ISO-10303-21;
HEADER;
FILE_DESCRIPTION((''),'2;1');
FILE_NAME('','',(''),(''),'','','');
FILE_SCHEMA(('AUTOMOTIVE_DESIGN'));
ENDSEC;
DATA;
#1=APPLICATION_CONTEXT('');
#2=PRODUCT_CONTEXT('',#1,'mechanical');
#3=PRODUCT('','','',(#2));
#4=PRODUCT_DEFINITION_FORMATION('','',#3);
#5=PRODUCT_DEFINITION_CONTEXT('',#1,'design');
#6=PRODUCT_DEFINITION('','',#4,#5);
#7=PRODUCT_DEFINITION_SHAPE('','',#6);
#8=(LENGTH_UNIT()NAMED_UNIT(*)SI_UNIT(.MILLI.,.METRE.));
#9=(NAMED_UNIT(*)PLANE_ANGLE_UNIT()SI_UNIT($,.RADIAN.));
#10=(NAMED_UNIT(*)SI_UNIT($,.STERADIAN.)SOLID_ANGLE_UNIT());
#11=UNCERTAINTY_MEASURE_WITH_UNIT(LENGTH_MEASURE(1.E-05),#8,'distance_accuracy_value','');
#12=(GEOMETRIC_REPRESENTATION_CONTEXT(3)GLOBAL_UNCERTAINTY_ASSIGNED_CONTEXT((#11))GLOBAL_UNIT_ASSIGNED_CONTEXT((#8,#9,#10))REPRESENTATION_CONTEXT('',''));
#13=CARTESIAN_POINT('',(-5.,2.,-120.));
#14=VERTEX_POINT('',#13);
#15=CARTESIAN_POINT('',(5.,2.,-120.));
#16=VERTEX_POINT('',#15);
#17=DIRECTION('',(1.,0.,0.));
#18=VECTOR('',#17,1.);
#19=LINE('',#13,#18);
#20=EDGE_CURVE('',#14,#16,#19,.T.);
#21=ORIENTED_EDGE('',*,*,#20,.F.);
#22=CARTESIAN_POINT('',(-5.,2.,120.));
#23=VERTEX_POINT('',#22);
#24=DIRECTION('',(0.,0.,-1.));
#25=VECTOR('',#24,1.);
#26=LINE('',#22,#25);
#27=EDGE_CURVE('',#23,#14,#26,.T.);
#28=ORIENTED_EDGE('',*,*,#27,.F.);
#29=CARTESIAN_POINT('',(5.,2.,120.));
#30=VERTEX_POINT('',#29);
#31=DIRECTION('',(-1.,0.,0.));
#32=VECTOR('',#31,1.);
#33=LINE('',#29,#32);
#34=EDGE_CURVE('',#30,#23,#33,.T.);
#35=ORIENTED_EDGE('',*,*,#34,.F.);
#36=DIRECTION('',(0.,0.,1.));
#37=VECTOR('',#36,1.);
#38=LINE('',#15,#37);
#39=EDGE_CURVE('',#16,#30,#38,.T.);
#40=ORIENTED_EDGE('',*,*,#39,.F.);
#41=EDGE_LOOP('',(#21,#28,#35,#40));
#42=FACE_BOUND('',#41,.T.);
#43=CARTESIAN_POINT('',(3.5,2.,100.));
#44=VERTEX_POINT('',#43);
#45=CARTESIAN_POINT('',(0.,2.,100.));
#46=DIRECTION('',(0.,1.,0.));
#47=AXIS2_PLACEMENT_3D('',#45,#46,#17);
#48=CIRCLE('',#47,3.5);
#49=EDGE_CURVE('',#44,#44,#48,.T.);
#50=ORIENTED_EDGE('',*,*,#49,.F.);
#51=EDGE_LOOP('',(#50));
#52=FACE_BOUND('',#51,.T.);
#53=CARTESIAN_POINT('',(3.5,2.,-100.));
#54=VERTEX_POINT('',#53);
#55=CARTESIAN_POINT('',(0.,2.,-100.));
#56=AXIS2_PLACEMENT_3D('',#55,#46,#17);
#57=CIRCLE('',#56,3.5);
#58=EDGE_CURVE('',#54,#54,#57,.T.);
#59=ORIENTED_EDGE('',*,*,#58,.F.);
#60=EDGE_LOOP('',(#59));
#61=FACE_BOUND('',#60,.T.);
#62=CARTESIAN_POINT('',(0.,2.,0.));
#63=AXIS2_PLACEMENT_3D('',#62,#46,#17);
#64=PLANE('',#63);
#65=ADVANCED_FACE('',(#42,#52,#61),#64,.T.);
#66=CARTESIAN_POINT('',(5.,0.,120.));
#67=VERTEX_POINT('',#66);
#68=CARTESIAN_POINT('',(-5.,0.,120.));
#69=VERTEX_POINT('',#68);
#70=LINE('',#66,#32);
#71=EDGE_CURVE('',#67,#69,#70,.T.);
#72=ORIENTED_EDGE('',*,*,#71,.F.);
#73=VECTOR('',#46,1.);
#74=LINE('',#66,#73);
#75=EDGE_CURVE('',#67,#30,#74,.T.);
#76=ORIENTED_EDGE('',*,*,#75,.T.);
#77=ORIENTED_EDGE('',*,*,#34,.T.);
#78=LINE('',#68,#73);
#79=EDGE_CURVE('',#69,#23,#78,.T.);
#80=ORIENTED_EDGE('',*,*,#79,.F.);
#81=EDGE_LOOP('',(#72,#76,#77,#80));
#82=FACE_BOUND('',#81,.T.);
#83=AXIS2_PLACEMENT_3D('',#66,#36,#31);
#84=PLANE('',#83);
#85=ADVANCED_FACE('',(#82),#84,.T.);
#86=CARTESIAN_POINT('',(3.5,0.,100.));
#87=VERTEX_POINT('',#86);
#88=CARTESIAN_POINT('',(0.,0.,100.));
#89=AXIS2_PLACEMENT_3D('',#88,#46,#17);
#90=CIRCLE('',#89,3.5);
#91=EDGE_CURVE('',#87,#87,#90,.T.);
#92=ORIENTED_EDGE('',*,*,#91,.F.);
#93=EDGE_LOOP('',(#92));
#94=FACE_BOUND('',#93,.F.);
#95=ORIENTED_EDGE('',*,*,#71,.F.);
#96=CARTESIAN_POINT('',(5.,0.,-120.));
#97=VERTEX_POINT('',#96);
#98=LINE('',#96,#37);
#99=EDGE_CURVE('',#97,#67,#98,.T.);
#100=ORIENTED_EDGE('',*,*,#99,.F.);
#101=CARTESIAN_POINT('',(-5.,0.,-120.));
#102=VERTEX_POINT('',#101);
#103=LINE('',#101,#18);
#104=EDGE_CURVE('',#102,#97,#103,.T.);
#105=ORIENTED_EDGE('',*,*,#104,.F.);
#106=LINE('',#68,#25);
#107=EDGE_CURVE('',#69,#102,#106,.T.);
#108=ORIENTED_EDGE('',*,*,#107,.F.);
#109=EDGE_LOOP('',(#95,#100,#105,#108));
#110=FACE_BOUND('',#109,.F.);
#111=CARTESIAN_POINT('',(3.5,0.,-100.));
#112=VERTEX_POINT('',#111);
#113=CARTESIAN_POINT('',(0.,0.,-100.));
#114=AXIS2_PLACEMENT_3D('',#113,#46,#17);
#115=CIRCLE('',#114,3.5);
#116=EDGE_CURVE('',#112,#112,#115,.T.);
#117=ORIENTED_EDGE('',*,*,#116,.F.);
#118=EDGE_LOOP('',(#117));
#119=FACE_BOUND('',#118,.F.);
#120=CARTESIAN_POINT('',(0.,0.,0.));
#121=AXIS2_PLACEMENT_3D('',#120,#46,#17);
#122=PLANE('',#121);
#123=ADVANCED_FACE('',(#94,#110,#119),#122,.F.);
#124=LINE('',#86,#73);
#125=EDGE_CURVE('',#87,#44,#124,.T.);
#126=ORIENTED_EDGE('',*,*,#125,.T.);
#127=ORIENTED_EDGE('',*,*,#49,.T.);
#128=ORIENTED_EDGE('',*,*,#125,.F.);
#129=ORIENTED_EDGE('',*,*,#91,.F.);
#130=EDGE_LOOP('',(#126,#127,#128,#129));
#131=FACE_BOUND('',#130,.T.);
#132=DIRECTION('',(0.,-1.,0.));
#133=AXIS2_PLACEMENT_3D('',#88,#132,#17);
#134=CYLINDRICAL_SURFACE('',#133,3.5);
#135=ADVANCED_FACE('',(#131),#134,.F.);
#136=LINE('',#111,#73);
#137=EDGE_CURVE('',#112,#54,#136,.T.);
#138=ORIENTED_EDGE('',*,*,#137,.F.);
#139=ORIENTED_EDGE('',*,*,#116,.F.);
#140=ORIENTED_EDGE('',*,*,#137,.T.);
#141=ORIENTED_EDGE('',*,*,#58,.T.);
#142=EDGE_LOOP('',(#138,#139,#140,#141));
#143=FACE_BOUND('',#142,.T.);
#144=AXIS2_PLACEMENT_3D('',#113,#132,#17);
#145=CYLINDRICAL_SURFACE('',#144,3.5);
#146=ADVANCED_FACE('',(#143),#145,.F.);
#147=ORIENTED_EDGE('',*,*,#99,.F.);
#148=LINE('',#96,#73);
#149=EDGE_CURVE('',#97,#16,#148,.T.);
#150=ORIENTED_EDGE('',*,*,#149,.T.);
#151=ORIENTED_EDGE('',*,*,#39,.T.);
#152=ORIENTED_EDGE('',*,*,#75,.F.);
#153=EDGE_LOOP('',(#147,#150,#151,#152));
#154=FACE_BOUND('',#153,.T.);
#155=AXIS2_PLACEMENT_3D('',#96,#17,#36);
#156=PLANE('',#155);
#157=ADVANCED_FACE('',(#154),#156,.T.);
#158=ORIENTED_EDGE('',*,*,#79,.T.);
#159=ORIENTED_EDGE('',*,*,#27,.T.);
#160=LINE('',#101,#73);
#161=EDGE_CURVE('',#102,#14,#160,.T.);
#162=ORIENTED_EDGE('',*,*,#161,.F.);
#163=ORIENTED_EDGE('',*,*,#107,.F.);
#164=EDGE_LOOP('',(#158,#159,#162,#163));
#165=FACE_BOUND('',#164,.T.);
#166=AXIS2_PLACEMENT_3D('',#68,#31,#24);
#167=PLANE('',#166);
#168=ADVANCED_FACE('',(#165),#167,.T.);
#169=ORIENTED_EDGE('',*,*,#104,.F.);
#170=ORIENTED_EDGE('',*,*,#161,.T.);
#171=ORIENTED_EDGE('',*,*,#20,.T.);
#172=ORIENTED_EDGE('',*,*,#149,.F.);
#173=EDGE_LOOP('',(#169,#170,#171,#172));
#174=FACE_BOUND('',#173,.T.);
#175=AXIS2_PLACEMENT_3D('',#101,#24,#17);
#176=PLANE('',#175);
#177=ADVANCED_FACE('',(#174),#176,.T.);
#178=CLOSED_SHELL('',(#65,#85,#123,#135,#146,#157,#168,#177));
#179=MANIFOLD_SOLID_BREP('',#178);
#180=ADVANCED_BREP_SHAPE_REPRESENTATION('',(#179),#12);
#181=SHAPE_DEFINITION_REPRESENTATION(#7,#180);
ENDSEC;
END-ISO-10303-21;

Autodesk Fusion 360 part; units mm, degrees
sketch "Sketch1" plane through (0, 0, 0) normal (0, 1, 0) x (1, 0, 0)
  line L0 (5, -120) -> (-5, -120)
  line L1 (-5, -120) -> (-5, 120)
  line L2 (-5, 120) -> (5, 120)
  line L3 (5, 120) -> (5, -120)
  line L4 (5, -120) -> (-5, 120) construction
  line L5 (-5, -120) -> (5, 120) construction
  line L6 (0, -120) -> (0, 120) construction
  circle A0 centre (0, 100) radius 3.5
  circle A1 centre (0, -100) radius 3.5
  dimension "d1" = 240
  dimension "d2" = 10
  dimension "d3" = 7
  dimension "d4" = 7
  dimension "d5" = 200
  dimension "d6" = 20
extrude "Extrude1" add sketch "Sketch1" along normal blind 2
